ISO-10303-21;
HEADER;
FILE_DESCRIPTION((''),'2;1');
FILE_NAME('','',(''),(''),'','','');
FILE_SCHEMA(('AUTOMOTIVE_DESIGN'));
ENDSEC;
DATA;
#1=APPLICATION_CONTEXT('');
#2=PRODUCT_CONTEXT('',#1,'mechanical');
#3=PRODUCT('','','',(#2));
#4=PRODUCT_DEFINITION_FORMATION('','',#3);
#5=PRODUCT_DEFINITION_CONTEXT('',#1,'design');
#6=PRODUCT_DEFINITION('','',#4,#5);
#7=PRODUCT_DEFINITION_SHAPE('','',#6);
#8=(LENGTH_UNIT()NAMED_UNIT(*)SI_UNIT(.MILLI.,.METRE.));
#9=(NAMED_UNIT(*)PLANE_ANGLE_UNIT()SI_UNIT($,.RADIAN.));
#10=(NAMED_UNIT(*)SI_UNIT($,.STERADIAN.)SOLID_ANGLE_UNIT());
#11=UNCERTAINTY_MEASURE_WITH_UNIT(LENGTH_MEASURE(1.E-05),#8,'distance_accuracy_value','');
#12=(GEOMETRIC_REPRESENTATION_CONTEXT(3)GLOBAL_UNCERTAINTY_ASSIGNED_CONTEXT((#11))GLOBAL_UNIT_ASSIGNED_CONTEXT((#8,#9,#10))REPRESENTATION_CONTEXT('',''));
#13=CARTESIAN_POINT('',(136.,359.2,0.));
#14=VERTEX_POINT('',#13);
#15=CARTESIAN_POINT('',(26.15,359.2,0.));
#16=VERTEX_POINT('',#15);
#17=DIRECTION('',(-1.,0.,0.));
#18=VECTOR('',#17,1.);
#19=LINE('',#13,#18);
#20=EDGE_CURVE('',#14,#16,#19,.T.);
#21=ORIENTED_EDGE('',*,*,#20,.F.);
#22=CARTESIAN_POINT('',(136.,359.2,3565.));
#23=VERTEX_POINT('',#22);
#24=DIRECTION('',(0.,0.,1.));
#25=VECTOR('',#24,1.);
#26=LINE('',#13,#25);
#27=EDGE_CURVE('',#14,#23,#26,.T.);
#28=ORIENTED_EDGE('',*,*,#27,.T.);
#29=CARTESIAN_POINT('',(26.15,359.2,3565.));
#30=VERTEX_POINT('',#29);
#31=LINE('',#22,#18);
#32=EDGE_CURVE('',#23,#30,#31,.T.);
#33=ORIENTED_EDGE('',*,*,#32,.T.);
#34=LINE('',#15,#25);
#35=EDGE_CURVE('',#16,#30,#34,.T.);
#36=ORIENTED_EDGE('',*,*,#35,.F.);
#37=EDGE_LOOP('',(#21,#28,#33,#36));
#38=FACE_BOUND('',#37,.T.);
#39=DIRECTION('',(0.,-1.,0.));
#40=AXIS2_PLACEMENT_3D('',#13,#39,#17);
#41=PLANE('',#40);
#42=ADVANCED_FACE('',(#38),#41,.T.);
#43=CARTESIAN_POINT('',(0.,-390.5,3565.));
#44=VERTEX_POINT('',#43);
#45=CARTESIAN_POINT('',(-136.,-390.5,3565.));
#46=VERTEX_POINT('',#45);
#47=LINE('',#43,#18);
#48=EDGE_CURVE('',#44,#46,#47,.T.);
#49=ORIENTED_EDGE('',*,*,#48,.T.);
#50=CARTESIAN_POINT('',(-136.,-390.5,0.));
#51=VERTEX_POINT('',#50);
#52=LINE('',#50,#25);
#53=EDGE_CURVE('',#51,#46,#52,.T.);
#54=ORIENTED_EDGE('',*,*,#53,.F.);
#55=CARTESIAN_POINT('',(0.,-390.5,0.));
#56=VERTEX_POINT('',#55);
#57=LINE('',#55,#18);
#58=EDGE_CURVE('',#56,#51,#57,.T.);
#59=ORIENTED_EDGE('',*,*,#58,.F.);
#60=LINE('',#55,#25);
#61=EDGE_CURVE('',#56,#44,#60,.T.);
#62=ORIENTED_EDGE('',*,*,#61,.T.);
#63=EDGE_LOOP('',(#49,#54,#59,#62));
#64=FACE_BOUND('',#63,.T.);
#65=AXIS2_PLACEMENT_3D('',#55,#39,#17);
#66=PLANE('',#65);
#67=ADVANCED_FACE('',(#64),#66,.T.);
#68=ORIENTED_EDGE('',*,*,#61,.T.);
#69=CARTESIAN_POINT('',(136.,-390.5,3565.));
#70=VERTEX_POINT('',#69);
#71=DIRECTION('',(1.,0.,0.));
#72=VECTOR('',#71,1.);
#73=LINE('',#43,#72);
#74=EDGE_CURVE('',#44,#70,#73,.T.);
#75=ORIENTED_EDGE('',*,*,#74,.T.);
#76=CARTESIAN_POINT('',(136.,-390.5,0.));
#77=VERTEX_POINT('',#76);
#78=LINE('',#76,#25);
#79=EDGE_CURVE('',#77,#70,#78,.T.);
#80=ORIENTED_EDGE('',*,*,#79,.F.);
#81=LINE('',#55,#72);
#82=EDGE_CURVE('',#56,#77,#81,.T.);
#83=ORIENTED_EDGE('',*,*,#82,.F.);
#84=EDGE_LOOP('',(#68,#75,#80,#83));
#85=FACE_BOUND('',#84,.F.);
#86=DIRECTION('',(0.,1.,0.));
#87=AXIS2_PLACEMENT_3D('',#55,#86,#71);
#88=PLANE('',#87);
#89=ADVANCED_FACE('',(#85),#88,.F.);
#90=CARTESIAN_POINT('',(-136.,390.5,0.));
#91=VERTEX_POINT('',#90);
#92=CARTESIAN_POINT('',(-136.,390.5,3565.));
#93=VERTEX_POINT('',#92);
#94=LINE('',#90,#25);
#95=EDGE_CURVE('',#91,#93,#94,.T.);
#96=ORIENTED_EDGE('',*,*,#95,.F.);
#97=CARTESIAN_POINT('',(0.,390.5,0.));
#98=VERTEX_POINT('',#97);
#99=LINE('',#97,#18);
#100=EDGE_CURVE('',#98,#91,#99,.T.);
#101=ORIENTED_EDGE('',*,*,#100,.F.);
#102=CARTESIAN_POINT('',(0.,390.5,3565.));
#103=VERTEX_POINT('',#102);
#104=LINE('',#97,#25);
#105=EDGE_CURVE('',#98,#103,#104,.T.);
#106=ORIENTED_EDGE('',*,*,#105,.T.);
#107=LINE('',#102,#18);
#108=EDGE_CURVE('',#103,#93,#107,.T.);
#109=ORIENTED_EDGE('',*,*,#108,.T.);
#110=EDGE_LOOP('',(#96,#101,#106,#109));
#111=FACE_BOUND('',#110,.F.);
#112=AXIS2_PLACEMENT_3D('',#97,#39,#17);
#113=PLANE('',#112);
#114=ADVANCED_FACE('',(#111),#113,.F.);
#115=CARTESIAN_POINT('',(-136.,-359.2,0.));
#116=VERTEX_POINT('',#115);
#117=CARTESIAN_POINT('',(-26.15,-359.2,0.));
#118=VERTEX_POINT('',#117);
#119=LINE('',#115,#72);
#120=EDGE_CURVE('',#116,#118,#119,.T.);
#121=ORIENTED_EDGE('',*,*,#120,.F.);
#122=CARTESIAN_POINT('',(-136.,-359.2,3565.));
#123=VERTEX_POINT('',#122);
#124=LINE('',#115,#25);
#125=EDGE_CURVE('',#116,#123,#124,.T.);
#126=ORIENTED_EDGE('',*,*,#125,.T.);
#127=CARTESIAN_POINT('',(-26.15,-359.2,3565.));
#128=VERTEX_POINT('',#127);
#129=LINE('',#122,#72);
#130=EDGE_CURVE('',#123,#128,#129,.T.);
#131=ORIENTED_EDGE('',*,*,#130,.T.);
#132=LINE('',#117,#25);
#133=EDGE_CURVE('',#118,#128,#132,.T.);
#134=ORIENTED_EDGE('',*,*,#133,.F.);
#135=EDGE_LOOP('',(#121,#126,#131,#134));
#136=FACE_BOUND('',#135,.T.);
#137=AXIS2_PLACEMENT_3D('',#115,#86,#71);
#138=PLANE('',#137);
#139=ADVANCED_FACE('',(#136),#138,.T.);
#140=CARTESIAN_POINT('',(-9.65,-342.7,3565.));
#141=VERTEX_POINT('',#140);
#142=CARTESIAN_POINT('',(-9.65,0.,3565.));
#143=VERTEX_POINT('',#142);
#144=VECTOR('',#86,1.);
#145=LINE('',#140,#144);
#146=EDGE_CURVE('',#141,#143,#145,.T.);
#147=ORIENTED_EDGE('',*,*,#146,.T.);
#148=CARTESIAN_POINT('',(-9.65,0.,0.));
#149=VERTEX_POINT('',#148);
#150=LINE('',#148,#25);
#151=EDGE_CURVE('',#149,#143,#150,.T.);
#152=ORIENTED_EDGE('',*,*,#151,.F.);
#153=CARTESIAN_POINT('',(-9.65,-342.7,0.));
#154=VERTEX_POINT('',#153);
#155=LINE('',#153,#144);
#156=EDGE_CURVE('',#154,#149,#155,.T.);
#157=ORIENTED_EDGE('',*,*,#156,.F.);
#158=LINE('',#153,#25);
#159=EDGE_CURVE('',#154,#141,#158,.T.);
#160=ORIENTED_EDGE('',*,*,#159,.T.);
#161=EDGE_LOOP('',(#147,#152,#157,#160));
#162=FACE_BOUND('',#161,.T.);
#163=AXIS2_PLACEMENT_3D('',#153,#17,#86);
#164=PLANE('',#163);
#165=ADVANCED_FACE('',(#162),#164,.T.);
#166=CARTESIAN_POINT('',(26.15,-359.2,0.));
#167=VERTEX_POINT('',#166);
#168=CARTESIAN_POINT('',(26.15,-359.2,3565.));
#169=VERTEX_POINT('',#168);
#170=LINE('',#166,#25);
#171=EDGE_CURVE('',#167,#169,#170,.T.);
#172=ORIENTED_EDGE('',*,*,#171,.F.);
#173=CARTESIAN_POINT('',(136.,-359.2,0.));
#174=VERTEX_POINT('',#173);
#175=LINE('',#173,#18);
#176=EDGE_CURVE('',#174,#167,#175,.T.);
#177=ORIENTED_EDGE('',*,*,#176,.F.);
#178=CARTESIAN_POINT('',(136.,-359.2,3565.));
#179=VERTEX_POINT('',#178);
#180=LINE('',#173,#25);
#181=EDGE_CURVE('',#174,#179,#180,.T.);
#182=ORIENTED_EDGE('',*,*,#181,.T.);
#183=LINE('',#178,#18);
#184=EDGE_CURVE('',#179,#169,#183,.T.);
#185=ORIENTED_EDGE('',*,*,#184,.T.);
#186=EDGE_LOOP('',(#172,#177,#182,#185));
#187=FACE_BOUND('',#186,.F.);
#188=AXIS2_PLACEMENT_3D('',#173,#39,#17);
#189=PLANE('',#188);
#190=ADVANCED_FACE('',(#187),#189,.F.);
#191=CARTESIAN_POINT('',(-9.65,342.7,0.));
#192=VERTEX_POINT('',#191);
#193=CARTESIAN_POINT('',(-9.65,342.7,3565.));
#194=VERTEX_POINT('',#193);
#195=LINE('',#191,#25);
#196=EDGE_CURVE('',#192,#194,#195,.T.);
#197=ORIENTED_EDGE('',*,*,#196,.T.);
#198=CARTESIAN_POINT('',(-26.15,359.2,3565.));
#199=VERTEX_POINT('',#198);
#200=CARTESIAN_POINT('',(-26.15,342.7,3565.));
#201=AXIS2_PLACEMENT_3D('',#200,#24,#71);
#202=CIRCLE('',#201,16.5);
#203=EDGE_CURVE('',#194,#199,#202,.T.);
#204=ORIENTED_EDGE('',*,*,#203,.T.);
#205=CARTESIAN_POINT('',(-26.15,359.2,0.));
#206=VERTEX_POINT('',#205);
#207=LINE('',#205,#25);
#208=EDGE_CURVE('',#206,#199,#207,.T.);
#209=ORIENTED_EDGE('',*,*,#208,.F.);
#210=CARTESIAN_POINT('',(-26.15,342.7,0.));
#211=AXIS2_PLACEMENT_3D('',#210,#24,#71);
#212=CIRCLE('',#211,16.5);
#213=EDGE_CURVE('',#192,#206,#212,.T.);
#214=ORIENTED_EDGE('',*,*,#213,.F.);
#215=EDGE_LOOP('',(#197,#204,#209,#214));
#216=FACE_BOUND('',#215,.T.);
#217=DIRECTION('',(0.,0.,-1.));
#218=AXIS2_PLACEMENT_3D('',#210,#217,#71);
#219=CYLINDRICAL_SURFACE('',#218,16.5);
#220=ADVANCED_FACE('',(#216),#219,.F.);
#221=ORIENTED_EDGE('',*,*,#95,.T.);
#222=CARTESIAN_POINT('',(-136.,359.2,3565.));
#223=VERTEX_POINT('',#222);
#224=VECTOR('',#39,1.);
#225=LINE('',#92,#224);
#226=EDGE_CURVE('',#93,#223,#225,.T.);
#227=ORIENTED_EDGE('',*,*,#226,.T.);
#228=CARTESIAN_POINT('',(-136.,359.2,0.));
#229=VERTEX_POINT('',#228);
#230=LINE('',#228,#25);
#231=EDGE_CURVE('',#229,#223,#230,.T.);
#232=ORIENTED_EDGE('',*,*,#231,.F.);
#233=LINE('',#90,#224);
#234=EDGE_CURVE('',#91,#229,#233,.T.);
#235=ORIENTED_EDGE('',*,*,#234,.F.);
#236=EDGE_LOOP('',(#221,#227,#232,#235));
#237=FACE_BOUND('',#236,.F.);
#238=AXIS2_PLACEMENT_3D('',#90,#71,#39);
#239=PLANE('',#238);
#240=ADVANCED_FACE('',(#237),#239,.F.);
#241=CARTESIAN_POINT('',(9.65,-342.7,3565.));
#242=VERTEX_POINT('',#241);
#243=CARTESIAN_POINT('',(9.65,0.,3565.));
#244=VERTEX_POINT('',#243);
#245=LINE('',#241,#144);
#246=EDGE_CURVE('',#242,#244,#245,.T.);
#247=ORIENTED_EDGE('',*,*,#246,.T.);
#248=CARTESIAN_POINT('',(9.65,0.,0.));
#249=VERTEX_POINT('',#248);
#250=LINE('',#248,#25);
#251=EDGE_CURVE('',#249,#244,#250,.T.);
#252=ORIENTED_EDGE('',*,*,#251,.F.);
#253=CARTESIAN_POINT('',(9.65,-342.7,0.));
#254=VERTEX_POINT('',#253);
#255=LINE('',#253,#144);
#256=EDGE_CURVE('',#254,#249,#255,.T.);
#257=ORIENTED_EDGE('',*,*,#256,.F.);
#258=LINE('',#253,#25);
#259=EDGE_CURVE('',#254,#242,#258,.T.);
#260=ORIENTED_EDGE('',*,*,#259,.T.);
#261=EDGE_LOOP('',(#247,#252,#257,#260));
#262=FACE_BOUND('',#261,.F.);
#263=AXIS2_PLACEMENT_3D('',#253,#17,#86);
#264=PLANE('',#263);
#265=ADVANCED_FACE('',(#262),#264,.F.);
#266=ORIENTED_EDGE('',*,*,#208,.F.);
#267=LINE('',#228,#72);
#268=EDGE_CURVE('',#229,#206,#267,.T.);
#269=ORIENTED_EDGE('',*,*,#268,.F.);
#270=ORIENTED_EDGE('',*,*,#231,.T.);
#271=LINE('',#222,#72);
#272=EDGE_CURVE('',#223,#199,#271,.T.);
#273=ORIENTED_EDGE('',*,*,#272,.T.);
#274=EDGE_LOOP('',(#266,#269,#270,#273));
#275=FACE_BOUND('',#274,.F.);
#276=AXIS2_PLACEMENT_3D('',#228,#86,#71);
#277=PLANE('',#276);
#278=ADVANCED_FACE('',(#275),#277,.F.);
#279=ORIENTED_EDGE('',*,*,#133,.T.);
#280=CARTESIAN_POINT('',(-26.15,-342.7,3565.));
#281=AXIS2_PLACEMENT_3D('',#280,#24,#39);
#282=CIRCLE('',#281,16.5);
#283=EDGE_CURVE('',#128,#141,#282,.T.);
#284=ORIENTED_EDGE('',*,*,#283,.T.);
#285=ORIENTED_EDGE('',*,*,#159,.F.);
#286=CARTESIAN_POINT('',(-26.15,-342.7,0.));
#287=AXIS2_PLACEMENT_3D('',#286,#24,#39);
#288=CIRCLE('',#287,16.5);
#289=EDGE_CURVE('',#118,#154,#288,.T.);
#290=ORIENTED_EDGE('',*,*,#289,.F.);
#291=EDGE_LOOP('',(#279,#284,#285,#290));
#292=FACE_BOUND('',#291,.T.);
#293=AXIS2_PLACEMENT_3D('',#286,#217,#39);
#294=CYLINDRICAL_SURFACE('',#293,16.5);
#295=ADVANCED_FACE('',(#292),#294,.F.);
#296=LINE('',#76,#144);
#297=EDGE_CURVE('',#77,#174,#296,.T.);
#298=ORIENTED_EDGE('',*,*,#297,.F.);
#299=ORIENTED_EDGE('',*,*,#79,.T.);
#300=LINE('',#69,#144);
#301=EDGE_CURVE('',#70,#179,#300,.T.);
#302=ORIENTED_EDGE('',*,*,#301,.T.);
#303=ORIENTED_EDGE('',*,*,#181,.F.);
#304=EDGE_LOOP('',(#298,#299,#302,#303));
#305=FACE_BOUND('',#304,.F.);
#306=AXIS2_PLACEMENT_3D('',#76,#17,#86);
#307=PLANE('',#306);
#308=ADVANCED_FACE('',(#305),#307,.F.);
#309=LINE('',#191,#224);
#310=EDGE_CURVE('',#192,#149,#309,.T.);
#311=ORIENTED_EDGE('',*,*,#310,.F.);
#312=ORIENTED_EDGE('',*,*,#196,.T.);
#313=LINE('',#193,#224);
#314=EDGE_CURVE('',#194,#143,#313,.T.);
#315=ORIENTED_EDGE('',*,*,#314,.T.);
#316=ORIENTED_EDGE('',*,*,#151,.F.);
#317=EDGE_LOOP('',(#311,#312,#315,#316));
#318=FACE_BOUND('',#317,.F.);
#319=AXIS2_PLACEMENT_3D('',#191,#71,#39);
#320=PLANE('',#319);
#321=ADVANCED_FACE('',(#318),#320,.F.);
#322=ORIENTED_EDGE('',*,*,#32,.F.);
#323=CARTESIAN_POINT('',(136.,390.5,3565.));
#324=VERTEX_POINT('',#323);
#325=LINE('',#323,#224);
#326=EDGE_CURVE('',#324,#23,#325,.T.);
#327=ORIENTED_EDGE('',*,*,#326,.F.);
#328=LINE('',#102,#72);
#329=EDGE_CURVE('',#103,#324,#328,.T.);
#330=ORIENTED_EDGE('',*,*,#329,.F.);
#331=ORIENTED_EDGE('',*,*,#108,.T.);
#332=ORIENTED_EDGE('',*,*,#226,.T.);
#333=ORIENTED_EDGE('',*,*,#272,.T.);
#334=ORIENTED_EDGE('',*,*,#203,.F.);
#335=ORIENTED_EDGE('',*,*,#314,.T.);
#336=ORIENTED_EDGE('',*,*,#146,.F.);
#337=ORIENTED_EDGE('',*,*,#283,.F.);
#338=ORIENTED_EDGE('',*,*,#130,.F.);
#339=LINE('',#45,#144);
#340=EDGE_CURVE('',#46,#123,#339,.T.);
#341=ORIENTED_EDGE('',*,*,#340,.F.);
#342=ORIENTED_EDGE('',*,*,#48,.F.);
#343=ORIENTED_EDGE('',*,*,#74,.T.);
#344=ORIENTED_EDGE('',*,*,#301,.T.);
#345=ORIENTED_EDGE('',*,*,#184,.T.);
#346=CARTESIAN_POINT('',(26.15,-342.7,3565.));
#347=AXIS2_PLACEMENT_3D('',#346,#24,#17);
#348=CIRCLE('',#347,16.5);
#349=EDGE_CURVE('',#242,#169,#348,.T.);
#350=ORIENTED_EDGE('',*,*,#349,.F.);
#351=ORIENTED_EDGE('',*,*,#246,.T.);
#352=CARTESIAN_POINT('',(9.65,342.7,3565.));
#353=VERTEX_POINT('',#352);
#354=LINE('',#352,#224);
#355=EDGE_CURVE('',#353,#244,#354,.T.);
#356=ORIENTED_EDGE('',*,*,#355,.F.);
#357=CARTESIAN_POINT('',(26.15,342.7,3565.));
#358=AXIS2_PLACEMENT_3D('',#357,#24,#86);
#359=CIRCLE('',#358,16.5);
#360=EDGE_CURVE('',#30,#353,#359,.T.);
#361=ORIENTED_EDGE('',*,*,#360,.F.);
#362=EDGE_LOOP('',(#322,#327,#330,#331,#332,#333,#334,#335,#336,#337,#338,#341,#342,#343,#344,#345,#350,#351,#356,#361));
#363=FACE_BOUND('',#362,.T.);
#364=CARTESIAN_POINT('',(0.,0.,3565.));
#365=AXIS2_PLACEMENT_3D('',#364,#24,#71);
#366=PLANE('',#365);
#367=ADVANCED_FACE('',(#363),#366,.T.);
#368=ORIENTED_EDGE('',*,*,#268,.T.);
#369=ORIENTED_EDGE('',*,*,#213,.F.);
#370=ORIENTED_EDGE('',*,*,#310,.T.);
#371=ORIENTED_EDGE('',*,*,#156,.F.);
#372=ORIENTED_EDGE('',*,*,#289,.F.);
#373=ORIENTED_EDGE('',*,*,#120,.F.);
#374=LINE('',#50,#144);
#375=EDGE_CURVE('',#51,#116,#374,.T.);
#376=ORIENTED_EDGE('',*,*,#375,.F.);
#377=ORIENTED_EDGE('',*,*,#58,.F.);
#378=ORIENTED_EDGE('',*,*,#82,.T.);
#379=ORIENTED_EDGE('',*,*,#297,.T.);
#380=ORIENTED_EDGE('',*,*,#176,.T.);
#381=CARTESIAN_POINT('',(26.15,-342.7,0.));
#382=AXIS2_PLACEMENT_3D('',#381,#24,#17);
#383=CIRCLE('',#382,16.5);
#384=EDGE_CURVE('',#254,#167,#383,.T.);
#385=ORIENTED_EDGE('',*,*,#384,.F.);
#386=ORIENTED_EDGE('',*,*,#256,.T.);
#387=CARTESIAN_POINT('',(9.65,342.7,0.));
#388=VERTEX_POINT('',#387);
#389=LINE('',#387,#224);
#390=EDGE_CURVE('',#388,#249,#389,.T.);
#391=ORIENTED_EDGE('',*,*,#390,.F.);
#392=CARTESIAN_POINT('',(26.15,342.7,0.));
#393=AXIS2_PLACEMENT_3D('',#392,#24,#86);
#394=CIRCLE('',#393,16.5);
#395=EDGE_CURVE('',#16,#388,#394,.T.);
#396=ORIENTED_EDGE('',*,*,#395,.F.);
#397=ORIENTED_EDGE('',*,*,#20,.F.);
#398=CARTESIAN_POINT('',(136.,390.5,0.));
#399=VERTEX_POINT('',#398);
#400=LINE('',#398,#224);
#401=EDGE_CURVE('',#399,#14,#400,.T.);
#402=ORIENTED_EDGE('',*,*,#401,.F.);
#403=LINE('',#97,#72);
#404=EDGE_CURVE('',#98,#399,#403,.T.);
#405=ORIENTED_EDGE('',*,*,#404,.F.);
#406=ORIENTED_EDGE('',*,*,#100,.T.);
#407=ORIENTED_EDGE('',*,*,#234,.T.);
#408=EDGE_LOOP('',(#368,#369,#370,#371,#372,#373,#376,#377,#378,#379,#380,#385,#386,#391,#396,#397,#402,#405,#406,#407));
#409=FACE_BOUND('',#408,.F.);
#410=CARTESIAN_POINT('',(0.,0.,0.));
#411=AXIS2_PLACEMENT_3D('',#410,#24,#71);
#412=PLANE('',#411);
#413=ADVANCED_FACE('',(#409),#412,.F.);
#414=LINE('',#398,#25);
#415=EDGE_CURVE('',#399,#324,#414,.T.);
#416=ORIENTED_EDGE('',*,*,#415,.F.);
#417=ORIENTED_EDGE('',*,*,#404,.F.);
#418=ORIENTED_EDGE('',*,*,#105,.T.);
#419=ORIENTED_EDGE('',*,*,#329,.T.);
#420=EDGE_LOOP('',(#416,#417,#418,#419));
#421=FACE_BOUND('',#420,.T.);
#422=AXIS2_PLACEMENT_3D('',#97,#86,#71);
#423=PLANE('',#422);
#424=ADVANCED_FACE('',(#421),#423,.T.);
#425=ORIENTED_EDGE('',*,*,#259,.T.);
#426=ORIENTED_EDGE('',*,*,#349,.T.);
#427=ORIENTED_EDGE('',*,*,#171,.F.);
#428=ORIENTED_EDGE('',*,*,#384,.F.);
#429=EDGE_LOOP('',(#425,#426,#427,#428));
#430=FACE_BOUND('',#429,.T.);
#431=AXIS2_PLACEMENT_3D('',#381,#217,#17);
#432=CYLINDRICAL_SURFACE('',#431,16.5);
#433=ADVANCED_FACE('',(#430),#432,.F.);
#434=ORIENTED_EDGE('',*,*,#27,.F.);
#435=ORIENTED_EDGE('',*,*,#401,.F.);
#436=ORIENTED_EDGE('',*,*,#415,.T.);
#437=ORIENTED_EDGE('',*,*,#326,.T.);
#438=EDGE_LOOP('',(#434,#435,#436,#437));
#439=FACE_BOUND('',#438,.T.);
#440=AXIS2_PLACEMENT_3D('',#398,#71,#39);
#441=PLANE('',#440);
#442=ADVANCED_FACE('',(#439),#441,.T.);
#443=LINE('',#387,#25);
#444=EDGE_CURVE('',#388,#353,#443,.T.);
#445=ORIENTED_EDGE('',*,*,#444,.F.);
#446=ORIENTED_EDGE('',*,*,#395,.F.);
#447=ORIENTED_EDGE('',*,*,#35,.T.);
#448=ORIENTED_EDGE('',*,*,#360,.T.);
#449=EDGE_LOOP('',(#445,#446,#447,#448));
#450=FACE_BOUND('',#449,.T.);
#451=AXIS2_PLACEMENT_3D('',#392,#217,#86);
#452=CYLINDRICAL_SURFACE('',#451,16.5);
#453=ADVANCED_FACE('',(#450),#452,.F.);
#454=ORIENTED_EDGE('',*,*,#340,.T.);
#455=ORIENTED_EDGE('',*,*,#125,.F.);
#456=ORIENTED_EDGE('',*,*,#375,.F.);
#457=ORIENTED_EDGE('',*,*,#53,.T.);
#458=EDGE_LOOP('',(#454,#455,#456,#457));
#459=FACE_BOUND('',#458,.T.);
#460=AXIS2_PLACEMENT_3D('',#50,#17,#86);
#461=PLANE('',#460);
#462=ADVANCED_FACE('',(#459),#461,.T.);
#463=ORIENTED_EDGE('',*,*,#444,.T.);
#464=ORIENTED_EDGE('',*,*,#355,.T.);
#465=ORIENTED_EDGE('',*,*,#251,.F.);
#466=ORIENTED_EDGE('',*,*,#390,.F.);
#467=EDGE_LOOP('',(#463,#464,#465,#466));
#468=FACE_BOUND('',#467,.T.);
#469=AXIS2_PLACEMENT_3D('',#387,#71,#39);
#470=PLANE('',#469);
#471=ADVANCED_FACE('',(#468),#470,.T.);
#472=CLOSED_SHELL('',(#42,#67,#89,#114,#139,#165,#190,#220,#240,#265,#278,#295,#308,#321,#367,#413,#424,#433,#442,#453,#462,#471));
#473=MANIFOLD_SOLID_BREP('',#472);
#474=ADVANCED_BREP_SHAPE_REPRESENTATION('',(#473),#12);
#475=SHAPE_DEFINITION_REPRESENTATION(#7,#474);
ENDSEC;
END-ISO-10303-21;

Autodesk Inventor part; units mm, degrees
ref_plane "YZ Plane" through (0, 0, 0) normal (1, 0, 0) x (0, 1, 0)
ref_plane "Start plane" through (0, 0, 0) normal (0, 0, 1) x (1, 0, 0)
ref_plane "End plane" through (0, 0, 3565) normal (0, 0, 1) x (1, 0, 0)
sketch "Sketch" plane through (0, 0, 0) normal (0, 0, 1) x (1, 0, 0)
  line L0 (-136, -390.5) -> (-136, -359.2)
  line L1 (-136, -359.2) -> (-26.15, -359.2)
  line L2 (-9.65, -342.7) -> (-9.65, 0)
  line L3 (-9.65, 0) -> (0, 0) construction
  line L4 (0, 0) -> (0, -390.5) construction
  line L5 (0, -390.5) -> (-136, -390.5)
  line L6 (-60, 0) -> (80, 0) construction
  line L7 (0, -60) -> (0, 80) construction
  line L8 (136, -390.5) -> (136, -359.2)
  line L9 (136, -359.2) -> (26.15, -359.2)
  line L10 (9.65, -342.7) -> (9.65, 0)
  line L11 (9.65, 0) -> (0, 0) construction
  line L12 (0, -390.5) -> (136, -390.5)
  line L13 (-136, 390.5) -> (-136, 359.2)
  line L14 (-136, 359.2) -> (-26.15, 359.2)
  line L15 (-9.65, 342.7) -> (-9.65, 0)
  line L16 (0, 390.5) -> (-136, 390.5)
  line L17 (136, 390.5) -> (136, 359.2)
  line L18 (136, 359.2) -> (26.15, 359.2)
  line L19 (0, 390.5) -> (136, 390.5)
  line L20 (9.65, 342.7) -> (9.65, 0)
  arc A0 (-9.65, 342.7) -> (-26.15, 359.2) centre (-26.15, 342.7) ccw
  arc A1 (26.15, 359.2) -> (9.65, 342.7) centre (26.15, 342.7) ccw
  arc A2 (9.65, -342.7) -> (26.15, -359.2) centre (26.15, -342.7) ccw
  arc A3 (-26.15, -359.2) -> (-9.65, -342.7) centre (-26.15, -342.7) ccw
  line L21 (0, 108) -> (0, -88) construction
  line L22 (-88, 0) -> (108, 0) construction
  point P0 (-9.65, -359.2)
  point P1 (9.65, -359.2)
  point P2 (-9.65, 359.2)
  point P3 (9.65, 359.2)
  dimension "d1" = 390.5
  dimension "d2" = 31.3
  dimension "d3" = 136
  dimension "d4" = 9.65
  dimension "d10" = 16.5
extrude "Body" add sketch "Sketch" along normal up to surface (3565 mm away) from surface at 0
sketch "Sketch4" plane through (0, 0, 0) normal (0, 0, 1) x (1, 0, 0)
  line L0 (0, 0) -> (10, 0)
ref_plane "Work Plane3" through (0, 0, 0) normal (0, -1, 0) x (1, 0, 0)
sketch "Sketch5" plane through (0, 0, 0) normal (0, -1, 0) x (1, 0, 0)
  line L0 (-2, 0) -> (12, 0) projected
  line L1 (-2, 3565) -> (12, 3565) projected
  dimension "d14" = 3565
equation "\"d1\" = 0.5 * G_H"
equation "\"d2\" = G_T1"
equation "\"d3\" = 0.5 * G_W"
equation "\"d4\" = 0.5 * G_T"
equation "\"d10\" = G_IR"
equation "\"d5\" = G_L"
equation "\"G_W\" = 272"
equation "\"G_H\" = 781"
equation "\"G_T\" = 19.3"
equation "\"G_T1\" = 31.3"
equation "\"G_IR\" = 16.5"
equation "\"G_L\" = d14"
equation "\"G_OFFSET_START\" = 0"
equation "\"G_OFFSET_END\" = 0"
equation "\"d12\" = G_OFFSET_END + B_L"
equation "\"B_L\" = 3565"
properties part number "AS 3679-1990 - 760 UB - 244 - 3565" material "Steel, Mild"
